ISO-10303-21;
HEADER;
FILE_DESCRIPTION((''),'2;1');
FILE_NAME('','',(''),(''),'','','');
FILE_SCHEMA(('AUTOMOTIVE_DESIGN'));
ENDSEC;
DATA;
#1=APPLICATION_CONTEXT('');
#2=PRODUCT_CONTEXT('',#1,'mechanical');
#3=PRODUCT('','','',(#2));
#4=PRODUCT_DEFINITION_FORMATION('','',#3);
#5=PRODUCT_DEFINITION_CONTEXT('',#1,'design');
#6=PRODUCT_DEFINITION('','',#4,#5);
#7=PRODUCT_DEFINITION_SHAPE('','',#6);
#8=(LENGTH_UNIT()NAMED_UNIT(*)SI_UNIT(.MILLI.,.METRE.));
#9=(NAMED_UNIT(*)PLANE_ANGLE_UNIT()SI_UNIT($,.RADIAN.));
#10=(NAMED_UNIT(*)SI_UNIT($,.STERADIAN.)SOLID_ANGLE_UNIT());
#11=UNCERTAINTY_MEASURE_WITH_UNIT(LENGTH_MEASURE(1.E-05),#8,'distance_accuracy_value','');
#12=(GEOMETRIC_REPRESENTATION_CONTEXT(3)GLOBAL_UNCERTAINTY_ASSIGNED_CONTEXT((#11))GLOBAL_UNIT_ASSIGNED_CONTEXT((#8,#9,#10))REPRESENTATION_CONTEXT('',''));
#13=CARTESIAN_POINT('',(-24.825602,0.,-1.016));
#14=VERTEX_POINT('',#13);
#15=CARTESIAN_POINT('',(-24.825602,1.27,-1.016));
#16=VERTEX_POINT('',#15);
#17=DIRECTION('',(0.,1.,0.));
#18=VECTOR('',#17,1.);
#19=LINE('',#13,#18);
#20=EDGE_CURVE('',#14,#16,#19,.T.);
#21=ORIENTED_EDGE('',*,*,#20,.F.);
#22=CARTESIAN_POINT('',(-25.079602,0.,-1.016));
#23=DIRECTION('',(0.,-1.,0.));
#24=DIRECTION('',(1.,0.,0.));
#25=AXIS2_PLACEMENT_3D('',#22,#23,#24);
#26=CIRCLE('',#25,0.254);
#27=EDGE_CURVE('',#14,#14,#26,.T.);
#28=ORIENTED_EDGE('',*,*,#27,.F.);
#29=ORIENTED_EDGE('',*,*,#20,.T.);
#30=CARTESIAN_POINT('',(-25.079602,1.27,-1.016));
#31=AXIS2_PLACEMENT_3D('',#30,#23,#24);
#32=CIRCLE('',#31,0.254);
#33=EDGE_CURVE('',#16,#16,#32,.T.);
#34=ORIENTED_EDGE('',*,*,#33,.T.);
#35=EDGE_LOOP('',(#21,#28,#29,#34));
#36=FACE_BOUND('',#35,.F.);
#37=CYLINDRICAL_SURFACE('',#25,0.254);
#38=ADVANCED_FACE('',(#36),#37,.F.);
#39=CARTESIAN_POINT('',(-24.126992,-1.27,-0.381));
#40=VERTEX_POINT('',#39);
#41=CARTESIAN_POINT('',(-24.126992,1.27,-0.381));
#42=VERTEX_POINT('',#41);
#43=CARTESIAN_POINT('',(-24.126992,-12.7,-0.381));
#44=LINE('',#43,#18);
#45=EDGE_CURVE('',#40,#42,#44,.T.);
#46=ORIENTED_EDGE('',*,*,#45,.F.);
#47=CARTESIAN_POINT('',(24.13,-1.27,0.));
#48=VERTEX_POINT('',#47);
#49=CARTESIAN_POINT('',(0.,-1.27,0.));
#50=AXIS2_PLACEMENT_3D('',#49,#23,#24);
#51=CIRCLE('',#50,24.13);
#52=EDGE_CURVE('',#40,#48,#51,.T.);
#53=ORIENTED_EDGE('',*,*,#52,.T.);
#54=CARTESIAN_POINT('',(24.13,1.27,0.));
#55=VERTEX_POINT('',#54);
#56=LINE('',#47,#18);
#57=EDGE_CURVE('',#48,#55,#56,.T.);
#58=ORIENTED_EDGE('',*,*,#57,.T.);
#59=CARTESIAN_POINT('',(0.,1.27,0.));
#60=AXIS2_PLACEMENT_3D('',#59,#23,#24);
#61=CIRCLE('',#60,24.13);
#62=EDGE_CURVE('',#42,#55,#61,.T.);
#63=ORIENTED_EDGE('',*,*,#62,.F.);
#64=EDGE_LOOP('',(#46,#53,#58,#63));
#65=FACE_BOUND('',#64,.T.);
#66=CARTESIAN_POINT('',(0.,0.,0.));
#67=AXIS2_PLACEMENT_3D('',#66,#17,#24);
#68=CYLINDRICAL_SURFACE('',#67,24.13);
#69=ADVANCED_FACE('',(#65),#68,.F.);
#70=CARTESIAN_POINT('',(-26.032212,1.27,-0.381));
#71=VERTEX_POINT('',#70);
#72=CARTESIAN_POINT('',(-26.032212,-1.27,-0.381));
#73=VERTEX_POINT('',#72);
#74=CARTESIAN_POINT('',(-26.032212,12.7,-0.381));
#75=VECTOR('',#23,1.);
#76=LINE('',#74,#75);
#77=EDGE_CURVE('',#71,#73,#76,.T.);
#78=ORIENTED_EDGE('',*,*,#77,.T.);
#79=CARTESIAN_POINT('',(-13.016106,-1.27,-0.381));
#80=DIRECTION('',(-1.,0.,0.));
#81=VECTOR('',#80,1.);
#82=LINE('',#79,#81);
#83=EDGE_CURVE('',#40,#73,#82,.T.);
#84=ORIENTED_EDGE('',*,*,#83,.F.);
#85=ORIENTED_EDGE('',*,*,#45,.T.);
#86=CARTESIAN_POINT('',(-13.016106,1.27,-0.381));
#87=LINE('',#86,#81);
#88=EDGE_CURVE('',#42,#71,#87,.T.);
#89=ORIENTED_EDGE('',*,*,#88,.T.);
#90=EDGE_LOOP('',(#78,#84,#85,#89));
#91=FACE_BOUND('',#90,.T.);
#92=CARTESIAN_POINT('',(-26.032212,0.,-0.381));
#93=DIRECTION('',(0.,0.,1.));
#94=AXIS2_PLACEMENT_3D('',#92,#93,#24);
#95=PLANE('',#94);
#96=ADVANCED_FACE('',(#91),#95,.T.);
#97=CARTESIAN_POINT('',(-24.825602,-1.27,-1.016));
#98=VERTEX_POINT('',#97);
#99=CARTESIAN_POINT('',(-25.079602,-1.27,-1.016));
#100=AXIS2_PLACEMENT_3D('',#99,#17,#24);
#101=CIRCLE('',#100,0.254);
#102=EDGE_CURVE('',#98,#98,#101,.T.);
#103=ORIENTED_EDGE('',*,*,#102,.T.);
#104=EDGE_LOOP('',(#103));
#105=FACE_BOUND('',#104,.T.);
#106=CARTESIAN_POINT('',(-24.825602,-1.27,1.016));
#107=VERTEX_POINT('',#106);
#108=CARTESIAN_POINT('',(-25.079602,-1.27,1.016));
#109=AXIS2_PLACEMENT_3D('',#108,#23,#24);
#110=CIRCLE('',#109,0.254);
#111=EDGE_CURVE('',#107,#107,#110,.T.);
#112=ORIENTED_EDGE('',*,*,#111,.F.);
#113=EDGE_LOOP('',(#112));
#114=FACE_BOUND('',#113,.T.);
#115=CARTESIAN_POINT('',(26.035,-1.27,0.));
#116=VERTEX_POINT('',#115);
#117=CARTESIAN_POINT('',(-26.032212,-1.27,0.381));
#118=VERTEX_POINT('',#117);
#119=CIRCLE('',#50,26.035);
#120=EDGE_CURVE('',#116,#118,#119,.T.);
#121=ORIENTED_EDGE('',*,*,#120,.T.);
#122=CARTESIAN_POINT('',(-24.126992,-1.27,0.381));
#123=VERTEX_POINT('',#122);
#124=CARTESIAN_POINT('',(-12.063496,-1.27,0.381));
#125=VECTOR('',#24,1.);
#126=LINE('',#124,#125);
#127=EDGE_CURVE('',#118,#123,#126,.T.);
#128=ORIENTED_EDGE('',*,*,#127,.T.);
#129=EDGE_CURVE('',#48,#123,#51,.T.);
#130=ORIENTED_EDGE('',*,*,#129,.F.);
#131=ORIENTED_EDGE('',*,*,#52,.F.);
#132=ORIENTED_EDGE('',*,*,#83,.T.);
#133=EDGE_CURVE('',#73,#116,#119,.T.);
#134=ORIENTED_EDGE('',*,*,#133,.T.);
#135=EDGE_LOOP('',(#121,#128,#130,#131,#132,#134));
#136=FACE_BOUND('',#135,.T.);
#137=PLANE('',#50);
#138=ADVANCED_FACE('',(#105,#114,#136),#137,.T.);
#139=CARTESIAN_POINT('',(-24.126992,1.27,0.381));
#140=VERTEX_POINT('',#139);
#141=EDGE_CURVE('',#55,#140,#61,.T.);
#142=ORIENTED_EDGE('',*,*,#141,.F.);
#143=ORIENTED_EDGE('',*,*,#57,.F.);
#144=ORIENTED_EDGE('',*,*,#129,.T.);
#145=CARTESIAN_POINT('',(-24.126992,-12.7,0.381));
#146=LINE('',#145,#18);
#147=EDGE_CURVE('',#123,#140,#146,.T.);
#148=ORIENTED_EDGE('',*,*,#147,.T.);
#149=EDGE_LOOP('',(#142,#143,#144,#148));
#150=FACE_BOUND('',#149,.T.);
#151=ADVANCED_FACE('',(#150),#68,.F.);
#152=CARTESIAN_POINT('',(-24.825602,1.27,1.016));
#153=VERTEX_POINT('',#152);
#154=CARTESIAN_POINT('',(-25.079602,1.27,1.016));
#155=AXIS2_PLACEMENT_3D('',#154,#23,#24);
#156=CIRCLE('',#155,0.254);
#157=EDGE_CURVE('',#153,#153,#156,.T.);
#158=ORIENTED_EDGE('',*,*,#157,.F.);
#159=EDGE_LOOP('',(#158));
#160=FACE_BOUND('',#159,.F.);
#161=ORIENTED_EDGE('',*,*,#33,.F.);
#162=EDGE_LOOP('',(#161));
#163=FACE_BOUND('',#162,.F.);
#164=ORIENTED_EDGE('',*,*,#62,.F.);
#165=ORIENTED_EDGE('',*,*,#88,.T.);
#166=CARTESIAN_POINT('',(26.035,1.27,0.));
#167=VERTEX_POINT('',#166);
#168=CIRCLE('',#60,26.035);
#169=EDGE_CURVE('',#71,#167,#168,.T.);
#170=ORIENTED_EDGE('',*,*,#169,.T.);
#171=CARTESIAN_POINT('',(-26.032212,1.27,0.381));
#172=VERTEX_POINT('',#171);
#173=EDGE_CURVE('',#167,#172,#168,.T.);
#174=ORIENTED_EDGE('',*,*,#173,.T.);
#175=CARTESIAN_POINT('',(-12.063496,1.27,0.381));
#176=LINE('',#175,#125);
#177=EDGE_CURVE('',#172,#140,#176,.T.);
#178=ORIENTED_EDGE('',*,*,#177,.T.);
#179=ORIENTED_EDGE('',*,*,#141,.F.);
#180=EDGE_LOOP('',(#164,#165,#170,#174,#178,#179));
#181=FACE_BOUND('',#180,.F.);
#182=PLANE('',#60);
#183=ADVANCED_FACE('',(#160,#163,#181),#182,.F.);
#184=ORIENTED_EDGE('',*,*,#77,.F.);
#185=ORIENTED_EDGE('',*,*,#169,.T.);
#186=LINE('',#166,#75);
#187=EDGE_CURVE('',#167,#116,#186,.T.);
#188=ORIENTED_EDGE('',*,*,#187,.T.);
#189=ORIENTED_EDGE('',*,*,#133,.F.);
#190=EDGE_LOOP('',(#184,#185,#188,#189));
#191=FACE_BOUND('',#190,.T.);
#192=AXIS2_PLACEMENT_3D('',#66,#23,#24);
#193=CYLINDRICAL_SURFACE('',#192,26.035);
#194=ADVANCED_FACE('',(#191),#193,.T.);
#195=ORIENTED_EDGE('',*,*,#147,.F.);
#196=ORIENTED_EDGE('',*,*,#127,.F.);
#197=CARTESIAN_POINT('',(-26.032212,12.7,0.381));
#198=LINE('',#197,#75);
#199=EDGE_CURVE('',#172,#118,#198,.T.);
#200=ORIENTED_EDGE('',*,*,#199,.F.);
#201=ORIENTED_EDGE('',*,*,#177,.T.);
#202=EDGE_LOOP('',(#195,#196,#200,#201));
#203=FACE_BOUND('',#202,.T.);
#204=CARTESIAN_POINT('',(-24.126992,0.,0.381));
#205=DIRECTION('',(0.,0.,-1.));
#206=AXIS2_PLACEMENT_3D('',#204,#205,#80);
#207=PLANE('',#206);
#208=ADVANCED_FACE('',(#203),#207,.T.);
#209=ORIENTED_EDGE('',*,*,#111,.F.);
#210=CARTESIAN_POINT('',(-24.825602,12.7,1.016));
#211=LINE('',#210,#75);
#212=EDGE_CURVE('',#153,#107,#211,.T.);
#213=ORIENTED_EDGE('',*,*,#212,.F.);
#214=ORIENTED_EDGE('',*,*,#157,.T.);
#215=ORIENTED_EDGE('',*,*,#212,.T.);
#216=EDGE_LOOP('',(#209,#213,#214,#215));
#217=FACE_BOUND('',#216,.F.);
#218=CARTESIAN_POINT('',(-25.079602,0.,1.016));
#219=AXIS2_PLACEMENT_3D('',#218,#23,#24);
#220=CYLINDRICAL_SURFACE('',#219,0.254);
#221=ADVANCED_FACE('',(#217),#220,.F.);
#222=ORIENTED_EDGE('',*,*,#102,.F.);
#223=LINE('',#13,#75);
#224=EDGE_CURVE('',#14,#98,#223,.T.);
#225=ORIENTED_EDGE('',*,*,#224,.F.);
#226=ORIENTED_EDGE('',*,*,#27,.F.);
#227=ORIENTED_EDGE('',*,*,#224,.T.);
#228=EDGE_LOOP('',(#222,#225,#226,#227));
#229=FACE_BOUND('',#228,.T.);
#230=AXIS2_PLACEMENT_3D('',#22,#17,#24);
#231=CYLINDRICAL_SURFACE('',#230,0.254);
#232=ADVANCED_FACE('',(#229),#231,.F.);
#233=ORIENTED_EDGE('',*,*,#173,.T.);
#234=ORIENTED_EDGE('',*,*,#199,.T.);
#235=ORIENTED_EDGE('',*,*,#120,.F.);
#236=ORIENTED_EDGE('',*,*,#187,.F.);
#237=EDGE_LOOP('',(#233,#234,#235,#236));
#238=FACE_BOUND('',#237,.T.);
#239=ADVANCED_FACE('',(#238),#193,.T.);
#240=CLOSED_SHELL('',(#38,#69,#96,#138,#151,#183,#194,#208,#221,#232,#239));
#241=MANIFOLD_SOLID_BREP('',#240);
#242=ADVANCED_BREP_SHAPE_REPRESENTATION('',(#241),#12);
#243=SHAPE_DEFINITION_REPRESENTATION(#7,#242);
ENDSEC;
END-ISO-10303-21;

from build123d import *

# Parameters (mm, degrees)
F0_R     = 26.035
F0_R_2   = 24.13
F1_DEPTH = 1.27
F2_R     = 0.254
F3_DEPTH = 12.7


with BuildPart() as f1:
    # F0 (on Front) → F1 (new body, symmetric)
    with BuildSketch(Plane.XZ):
        Circle(F0_R)
        Circle(F0_R_2, mode=Mode.SUBTRACT)
    extrude(amount=F1_DEPTH, both=True)

    # F2 (on Front) → F3 (cut, symmetric)
    with BuildSketch(Plane.XZ):
        with BuildLine():
            Line((-24.1269919178, 0.381), (-26.0322120458, 0.381))
            ThreePointArc((-26.0322120458, 0.381), (-26.035, 0), (-26.0322120458, -0.381))
            Line((-26.0322120458, -0.381), (-24.1269919178, -0.381))
            ThreePointArc((-24.1269919178, -0.381), (-24.13, 0), (-24.1269919178, 0.381))
        make_face()
        with Locations((-25.0796019818, -1.016)):
            Circle(F2_R)
        with Locations((-25.0796019818, 1.016)):
            Circle(F2_R)
    extrude(amount=F3_DEPTH, both=True, mode=Mode.SUBTRACT)


solid = f1.part
